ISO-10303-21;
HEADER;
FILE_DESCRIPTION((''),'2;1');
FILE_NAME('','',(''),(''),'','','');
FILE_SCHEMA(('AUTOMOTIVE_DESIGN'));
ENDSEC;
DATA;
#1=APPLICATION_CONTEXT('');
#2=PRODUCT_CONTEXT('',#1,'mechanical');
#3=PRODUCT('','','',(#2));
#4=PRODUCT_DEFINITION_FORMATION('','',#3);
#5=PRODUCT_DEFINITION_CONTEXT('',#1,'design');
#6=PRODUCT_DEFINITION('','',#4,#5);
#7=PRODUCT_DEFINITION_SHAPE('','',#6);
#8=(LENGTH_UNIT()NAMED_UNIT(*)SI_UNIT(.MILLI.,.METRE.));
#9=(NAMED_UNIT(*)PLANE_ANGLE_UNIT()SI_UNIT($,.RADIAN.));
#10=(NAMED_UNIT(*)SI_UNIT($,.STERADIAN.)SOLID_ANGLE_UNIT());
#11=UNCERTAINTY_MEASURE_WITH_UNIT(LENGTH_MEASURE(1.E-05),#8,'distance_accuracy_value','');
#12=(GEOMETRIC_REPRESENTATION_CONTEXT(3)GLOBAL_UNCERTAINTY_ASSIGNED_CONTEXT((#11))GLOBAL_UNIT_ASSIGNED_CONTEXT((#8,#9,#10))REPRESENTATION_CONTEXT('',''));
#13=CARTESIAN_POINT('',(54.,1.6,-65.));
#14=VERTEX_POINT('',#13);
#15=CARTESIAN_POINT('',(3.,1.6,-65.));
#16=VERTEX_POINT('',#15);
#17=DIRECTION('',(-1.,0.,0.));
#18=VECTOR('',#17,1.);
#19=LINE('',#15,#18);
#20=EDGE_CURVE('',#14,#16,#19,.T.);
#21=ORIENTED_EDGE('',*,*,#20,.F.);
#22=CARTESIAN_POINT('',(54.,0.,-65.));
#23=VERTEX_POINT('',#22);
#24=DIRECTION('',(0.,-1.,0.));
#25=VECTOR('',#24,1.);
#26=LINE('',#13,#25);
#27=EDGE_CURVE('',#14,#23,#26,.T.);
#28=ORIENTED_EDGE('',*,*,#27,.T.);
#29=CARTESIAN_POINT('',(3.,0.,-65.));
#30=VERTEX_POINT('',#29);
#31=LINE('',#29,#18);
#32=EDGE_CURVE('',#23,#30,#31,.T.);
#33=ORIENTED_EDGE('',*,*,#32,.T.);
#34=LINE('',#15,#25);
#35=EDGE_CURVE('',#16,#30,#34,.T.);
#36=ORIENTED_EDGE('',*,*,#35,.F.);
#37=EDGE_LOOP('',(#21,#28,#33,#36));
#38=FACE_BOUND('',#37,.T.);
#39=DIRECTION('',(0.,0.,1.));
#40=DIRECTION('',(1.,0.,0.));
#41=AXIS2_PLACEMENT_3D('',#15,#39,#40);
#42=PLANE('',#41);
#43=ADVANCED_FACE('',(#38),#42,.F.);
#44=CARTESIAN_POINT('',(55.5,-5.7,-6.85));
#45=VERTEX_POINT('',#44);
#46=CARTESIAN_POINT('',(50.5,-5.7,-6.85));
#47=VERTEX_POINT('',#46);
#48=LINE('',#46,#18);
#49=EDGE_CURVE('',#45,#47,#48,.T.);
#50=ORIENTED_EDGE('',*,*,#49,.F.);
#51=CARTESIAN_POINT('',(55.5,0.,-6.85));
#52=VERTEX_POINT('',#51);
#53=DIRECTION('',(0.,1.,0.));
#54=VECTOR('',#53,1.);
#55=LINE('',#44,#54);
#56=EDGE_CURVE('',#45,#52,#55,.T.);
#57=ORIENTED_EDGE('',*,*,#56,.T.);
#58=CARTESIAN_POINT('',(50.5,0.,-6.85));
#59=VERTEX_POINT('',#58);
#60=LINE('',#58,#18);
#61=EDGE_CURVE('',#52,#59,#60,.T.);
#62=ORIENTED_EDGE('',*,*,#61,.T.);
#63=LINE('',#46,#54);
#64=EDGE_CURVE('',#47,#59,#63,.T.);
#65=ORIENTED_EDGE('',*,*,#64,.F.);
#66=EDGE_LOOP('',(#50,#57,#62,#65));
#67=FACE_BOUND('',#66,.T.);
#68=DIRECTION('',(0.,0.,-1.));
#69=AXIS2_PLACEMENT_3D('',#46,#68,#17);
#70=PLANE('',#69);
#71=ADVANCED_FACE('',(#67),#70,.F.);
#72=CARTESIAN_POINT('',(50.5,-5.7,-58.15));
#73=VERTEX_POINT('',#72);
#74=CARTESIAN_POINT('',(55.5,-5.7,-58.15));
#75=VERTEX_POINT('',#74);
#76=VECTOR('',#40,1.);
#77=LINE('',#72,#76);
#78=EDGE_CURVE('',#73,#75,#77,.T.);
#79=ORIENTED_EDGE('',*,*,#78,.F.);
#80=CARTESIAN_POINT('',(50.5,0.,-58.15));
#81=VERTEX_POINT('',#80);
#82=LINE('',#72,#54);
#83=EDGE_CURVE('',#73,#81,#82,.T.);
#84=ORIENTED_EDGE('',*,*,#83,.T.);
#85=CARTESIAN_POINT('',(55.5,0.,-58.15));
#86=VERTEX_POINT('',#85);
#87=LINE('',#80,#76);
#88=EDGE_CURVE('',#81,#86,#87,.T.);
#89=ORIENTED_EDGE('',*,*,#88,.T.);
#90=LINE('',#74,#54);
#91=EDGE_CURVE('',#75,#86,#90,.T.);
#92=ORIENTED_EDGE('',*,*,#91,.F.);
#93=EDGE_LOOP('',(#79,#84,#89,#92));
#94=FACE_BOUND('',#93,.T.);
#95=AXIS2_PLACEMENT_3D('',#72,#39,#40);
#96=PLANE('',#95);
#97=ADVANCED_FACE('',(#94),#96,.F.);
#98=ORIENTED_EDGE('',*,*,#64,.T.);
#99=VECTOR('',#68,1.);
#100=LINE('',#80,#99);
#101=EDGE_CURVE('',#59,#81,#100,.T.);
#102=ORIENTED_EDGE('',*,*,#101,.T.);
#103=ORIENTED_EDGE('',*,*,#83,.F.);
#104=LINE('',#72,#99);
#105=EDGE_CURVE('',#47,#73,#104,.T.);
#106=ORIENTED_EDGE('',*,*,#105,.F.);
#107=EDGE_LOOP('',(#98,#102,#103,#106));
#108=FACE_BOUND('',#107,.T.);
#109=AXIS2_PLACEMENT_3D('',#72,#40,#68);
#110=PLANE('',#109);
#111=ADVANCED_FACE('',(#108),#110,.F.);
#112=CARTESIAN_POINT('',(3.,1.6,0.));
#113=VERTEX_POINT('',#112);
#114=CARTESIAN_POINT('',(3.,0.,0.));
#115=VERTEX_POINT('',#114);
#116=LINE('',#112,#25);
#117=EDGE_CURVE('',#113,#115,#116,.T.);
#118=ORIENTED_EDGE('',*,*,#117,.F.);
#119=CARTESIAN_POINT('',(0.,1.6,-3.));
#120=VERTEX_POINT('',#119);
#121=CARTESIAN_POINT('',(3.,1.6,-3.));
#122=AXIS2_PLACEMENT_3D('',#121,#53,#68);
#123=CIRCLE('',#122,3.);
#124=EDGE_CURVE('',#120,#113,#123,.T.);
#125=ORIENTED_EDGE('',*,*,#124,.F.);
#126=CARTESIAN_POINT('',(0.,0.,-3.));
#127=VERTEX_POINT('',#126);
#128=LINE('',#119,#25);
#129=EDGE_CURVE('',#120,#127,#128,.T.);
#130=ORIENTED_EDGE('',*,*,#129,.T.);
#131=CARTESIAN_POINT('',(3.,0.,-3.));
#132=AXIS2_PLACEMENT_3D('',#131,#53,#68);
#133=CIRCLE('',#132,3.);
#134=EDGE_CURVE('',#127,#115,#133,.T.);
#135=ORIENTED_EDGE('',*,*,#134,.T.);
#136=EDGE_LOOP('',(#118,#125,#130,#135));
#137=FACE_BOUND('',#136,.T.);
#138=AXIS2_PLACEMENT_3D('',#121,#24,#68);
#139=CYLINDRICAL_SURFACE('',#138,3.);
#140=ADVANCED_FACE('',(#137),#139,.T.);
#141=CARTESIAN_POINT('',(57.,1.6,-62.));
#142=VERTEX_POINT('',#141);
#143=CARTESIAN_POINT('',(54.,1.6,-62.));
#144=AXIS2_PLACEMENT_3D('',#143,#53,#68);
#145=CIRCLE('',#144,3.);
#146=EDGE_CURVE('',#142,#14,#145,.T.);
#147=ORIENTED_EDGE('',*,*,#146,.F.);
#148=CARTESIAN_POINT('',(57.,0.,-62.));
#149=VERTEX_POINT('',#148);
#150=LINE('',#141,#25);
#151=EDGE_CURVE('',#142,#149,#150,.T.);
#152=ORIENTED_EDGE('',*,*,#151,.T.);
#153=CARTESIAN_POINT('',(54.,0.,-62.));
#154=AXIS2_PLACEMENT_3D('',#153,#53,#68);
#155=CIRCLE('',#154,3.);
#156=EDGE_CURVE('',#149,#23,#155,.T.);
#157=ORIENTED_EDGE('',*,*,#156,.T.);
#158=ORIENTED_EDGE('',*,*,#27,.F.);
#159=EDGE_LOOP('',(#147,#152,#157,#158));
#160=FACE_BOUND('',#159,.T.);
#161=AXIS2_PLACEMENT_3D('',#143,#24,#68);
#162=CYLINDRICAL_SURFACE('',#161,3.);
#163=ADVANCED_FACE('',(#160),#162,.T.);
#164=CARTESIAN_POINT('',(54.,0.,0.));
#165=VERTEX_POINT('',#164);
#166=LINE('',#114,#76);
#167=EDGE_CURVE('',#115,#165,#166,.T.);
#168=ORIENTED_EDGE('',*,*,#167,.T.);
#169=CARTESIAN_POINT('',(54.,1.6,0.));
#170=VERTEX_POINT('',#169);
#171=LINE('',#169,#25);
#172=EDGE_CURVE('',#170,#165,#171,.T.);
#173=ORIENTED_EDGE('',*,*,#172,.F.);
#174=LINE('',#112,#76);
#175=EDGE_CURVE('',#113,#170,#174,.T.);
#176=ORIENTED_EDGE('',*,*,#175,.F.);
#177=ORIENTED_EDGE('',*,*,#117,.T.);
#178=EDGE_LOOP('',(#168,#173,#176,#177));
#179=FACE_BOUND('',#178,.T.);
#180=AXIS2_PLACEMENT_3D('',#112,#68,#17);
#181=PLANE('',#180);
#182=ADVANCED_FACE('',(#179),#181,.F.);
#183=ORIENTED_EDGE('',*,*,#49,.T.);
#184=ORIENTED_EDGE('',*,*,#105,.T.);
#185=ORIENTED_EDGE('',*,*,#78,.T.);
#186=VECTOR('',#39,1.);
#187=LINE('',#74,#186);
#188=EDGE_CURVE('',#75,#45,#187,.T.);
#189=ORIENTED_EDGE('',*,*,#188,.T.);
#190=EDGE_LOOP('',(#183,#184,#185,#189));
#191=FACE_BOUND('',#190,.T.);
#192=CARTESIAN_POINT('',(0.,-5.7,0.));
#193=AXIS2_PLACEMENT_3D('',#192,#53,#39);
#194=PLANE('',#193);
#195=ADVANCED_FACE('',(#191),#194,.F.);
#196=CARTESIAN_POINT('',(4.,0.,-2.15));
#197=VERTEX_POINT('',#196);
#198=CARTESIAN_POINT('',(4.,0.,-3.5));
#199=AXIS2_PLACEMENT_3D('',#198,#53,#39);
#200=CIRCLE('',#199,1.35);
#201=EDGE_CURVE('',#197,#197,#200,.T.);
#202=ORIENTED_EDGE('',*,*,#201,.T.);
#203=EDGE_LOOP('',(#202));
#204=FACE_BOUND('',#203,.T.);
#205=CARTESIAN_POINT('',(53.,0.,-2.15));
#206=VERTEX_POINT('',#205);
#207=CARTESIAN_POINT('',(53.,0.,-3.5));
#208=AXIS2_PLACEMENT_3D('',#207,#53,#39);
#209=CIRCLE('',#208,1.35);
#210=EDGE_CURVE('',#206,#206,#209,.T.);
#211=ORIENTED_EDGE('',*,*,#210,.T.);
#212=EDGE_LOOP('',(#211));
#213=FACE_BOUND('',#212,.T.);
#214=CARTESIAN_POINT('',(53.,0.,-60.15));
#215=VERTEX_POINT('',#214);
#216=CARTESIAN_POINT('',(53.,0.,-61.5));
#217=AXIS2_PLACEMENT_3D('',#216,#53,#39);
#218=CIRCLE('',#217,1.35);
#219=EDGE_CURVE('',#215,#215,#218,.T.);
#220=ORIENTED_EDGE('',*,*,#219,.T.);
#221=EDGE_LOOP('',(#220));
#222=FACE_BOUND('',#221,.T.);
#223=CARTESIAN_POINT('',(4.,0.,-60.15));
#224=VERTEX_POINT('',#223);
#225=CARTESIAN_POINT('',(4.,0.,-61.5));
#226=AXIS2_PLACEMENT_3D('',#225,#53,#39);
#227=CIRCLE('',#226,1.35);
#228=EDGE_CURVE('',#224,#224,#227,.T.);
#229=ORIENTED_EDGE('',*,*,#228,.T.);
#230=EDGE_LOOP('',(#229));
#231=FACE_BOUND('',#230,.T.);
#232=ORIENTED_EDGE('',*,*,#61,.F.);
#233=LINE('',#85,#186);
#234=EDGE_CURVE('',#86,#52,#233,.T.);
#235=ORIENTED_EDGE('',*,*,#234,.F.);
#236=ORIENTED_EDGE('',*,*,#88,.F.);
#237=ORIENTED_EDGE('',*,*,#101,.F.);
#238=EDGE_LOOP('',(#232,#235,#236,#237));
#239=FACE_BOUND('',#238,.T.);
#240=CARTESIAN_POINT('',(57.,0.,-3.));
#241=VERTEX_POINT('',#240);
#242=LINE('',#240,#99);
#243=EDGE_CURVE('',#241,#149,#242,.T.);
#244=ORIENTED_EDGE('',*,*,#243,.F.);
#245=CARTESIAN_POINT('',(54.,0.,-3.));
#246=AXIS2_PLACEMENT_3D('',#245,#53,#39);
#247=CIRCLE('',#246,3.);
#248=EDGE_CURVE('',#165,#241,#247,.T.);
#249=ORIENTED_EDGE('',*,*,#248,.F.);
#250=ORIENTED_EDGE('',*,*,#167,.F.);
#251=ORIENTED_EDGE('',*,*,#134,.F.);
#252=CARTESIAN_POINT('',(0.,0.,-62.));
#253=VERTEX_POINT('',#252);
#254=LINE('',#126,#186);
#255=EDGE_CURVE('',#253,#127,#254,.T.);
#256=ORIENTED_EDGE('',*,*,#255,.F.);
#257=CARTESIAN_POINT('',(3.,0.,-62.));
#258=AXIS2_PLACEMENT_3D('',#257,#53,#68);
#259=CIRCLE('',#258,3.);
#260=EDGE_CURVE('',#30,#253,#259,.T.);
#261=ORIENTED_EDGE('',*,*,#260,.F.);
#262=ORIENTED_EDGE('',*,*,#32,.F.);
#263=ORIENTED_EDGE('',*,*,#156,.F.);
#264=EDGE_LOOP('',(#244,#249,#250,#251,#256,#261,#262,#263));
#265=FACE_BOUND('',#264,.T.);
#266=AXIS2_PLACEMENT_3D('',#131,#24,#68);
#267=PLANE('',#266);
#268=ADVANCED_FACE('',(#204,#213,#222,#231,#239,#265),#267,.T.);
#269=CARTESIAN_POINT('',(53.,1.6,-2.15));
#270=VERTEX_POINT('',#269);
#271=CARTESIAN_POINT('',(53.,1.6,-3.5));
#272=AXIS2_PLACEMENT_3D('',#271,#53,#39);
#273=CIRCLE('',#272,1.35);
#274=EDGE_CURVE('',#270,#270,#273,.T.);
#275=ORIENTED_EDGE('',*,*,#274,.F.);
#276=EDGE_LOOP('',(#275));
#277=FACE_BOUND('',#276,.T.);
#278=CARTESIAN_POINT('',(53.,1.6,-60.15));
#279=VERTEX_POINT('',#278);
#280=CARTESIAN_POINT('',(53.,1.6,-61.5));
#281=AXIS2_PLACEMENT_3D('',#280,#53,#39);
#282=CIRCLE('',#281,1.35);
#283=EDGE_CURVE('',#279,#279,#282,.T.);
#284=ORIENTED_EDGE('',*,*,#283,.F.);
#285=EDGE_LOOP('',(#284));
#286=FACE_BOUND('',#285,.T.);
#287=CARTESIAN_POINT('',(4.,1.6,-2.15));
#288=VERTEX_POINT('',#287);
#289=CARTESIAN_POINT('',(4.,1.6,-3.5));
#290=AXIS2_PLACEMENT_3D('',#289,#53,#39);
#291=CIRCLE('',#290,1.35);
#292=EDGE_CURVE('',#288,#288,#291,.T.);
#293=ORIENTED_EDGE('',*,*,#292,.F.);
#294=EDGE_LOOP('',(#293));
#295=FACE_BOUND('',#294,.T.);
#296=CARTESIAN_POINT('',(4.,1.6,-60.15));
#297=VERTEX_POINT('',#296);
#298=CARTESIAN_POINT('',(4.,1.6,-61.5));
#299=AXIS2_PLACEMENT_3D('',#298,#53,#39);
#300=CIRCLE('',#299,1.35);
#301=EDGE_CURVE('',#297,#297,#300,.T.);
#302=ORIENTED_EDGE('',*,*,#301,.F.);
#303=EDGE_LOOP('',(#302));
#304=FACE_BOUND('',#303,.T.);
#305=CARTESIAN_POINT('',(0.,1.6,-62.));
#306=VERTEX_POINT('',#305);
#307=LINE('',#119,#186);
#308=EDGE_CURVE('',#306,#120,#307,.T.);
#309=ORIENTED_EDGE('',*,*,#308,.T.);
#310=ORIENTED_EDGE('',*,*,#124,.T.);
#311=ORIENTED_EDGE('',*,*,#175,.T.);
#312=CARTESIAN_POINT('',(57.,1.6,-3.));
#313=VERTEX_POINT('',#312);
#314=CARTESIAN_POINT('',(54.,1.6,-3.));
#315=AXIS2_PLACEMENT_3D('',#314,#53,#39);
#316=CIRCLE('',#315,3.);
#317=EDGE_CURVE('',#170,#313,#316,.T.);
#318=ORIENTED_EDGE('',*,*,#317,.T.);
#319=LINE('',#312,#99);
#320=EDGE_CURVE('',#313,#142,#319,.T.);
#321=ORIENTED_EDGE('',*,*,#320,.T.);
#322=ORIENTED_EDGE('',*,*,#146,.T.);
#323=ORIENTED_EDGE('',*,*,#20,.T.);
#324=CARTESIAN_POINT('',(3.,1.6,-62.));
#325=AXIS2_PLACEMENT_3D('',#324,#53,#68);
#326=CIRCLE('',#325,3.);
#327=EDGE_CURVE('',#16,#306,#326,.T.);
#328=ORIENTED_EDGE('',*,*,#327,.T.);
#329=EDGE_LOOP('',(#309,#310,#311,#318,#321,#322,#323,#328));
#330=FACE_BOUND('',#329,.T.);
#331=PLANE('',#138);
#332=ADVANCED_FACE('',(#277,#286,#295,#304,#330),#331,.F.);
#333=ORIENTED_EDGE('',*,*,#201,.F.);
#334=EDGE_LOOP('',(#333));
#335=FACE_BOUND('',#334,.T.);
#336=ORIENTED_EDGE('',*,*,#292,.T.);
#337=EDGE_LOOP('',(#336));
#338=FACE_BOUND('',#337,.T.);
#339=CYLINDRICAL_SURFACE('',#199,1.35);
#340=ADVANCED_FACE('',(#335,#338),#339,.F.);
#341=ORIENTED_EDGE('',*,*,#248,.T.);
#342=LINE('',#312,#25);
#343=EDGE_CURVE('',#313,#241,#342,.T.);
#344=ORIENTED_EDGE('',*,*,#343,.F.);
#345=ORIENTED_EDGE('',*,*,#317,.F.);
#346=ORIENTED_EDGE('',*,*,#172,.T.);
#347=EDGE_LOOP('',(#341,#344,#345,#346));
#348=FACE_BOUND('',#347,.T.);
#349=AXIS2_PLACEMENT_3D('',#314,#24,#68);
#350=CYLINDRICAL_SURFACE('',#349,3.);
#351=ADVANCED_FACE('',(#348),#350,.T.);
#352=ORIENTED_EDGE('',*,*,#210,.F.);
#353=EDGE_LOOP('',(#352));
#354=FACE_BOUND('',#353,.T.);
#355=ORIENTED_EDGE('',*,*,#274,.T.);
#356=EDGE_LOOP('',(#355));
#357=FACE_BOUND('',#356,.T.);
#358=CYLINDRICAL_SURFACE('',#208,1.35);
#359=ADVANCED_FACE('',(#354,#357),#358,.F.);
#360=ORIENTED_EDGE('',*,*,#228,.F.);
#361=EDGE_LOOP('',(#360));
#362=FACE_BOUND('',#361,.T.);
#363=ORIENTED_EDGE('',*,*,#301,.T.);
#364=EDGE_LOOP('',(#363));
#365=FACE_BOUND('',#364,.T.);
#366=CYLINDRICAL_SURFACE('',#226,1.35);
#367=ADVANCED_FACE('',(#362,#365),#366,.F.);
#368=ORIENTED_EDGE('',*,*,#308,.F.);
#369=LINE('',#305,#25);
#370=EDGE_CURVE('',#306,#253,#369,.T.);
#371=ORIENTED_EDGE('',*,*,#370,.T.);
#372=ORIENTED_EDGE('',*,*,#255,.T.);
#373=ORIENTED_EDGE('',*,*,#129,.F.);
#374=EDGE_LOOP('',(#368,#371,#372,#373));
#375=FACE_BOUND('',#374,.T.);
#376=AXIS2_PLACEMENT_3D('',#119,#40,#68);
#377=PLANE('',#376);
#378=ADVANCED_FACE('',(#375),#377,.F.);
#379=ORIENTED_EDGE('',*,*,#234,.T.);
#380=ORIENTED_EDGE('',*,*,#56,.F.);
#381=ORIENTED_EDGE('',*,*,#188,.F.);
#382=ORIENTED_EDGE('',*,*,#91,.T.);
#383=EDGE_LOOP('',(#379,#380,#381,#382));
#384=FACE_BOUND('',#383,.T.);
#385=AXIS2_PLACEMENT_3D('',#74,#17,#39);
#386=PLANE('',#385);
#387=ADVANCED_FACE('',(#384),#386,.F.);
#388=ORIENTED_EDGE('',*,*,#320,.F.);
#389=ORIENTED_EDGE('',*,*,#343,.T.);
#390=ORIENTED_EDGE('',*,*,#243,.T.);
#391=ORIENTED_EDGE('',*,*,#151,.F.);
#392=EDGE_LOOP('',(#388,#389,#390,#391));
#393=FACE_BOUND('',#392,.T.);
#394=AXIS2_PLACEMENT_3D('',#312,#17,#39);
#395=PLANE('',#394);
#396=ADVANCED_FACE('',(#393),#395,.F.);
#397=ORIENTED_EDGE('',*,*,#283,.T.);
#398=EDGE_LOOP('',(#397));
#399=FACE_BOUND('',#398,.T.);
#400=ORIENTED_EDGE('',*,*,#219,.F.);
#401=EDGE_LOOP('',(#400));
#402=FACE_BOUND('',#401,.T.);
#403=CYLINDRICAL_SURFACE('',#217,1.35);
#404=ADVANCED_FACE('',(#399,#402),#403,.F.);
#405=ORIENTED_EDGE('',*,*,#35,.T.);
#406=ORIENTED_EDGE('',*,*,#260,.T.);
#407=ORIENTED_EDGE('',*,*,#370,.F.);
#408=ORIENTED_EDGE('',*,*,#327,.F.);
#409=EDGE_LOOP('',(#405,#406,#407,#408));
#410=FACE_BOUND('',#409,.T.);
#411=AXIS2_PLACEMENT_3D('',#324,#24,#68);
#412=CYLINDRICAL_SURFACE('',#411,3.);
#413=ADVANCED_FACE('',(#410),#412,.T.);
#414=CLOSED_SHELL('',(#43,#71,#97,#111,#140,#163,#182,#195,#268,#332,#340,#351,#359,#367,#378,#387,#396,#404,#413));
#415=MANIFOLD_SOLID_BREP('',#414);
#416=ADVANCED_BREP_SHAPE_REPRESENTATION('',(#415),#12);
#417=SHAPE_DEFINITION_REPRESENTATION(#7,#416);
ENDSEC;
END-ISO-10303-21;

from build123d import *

# Parameters (mm, degrees)
BOSS_EXTRUDE1_DEPTH = 1.6
SKETCH2_R           = 1.35
CUT_EXTRUDE1_DEPTH  = 87.467103571
SKETCH3_W           = 5
SKETCH3_H           = 51.3
BOSS_EXTRUDE2_DEPTH = 5.7


with BuildPart() as part:
    # Sketch1 → Boss-Extrude1 (new body)
    with BuildSketch(Plane(origin=(0, 0, 0), x_dir=(1, 0, 0), z_dir=(0, 1, 0))):
        with BuildLine():
            Line((3, 0), (54, 0))
            ThreePointArc((54, 0), (56.121320344, 0.878679656), (57, 3))
            Line((57, 3), (57, 62))
            ThreePointArc((57, 62), (56.121320344, 64.121320344), (54, 65))
            Line((54, 65), (3, 65))
            ThreePointArc((3, 65), (0.878679656, 64.121320344), (0, 62))
            Line((0, 62), (0, 3))
            ThreePointArc((0, 3), (0.878679656, 0.878679656), (3, 0))
        make_face()
    extrude(amount=BOSS_EXTRUDE1_DEPTH)

    # Sketch2 → Cut-Extrude1 (cut, through all)
    with BuildSketch(Plane(origin=(0, 1.6, 0), x_dir=(1, 0, 0), z_dir=(0, 1, 0))):
        with Locations(Location((4, 61.5, 0), (0, 0, 270))):
            Circle(SKETCH2_R)
        with Locations(Location((53, 61.5, 0), (0, 0, 270))):
            Circle(SKETCH2_R)
        with Locations(Location((53, 3.5, 0), (0, 0, 270))):
            Circle(SKETCH2_R)
        with Locations(Location((4, 3.5, 0), (0, 0, 270))):
            Circle(SKETCH2_R)
    extrude(amount=-CUT_EXTRUDE1_DEPTH, mode=Mode.SUBTRACT)

    # Sketch3 → Boss-Extrude2 (add)
    with BuildSketch(Plane.XZ):
        with Locations((53, -32.5)):
            Rectangle(SKETCH3_W, SKETCH3_H)
    extrude(amount=BOSS_EXTRUDE2_DEPTH)


solid = part.part
